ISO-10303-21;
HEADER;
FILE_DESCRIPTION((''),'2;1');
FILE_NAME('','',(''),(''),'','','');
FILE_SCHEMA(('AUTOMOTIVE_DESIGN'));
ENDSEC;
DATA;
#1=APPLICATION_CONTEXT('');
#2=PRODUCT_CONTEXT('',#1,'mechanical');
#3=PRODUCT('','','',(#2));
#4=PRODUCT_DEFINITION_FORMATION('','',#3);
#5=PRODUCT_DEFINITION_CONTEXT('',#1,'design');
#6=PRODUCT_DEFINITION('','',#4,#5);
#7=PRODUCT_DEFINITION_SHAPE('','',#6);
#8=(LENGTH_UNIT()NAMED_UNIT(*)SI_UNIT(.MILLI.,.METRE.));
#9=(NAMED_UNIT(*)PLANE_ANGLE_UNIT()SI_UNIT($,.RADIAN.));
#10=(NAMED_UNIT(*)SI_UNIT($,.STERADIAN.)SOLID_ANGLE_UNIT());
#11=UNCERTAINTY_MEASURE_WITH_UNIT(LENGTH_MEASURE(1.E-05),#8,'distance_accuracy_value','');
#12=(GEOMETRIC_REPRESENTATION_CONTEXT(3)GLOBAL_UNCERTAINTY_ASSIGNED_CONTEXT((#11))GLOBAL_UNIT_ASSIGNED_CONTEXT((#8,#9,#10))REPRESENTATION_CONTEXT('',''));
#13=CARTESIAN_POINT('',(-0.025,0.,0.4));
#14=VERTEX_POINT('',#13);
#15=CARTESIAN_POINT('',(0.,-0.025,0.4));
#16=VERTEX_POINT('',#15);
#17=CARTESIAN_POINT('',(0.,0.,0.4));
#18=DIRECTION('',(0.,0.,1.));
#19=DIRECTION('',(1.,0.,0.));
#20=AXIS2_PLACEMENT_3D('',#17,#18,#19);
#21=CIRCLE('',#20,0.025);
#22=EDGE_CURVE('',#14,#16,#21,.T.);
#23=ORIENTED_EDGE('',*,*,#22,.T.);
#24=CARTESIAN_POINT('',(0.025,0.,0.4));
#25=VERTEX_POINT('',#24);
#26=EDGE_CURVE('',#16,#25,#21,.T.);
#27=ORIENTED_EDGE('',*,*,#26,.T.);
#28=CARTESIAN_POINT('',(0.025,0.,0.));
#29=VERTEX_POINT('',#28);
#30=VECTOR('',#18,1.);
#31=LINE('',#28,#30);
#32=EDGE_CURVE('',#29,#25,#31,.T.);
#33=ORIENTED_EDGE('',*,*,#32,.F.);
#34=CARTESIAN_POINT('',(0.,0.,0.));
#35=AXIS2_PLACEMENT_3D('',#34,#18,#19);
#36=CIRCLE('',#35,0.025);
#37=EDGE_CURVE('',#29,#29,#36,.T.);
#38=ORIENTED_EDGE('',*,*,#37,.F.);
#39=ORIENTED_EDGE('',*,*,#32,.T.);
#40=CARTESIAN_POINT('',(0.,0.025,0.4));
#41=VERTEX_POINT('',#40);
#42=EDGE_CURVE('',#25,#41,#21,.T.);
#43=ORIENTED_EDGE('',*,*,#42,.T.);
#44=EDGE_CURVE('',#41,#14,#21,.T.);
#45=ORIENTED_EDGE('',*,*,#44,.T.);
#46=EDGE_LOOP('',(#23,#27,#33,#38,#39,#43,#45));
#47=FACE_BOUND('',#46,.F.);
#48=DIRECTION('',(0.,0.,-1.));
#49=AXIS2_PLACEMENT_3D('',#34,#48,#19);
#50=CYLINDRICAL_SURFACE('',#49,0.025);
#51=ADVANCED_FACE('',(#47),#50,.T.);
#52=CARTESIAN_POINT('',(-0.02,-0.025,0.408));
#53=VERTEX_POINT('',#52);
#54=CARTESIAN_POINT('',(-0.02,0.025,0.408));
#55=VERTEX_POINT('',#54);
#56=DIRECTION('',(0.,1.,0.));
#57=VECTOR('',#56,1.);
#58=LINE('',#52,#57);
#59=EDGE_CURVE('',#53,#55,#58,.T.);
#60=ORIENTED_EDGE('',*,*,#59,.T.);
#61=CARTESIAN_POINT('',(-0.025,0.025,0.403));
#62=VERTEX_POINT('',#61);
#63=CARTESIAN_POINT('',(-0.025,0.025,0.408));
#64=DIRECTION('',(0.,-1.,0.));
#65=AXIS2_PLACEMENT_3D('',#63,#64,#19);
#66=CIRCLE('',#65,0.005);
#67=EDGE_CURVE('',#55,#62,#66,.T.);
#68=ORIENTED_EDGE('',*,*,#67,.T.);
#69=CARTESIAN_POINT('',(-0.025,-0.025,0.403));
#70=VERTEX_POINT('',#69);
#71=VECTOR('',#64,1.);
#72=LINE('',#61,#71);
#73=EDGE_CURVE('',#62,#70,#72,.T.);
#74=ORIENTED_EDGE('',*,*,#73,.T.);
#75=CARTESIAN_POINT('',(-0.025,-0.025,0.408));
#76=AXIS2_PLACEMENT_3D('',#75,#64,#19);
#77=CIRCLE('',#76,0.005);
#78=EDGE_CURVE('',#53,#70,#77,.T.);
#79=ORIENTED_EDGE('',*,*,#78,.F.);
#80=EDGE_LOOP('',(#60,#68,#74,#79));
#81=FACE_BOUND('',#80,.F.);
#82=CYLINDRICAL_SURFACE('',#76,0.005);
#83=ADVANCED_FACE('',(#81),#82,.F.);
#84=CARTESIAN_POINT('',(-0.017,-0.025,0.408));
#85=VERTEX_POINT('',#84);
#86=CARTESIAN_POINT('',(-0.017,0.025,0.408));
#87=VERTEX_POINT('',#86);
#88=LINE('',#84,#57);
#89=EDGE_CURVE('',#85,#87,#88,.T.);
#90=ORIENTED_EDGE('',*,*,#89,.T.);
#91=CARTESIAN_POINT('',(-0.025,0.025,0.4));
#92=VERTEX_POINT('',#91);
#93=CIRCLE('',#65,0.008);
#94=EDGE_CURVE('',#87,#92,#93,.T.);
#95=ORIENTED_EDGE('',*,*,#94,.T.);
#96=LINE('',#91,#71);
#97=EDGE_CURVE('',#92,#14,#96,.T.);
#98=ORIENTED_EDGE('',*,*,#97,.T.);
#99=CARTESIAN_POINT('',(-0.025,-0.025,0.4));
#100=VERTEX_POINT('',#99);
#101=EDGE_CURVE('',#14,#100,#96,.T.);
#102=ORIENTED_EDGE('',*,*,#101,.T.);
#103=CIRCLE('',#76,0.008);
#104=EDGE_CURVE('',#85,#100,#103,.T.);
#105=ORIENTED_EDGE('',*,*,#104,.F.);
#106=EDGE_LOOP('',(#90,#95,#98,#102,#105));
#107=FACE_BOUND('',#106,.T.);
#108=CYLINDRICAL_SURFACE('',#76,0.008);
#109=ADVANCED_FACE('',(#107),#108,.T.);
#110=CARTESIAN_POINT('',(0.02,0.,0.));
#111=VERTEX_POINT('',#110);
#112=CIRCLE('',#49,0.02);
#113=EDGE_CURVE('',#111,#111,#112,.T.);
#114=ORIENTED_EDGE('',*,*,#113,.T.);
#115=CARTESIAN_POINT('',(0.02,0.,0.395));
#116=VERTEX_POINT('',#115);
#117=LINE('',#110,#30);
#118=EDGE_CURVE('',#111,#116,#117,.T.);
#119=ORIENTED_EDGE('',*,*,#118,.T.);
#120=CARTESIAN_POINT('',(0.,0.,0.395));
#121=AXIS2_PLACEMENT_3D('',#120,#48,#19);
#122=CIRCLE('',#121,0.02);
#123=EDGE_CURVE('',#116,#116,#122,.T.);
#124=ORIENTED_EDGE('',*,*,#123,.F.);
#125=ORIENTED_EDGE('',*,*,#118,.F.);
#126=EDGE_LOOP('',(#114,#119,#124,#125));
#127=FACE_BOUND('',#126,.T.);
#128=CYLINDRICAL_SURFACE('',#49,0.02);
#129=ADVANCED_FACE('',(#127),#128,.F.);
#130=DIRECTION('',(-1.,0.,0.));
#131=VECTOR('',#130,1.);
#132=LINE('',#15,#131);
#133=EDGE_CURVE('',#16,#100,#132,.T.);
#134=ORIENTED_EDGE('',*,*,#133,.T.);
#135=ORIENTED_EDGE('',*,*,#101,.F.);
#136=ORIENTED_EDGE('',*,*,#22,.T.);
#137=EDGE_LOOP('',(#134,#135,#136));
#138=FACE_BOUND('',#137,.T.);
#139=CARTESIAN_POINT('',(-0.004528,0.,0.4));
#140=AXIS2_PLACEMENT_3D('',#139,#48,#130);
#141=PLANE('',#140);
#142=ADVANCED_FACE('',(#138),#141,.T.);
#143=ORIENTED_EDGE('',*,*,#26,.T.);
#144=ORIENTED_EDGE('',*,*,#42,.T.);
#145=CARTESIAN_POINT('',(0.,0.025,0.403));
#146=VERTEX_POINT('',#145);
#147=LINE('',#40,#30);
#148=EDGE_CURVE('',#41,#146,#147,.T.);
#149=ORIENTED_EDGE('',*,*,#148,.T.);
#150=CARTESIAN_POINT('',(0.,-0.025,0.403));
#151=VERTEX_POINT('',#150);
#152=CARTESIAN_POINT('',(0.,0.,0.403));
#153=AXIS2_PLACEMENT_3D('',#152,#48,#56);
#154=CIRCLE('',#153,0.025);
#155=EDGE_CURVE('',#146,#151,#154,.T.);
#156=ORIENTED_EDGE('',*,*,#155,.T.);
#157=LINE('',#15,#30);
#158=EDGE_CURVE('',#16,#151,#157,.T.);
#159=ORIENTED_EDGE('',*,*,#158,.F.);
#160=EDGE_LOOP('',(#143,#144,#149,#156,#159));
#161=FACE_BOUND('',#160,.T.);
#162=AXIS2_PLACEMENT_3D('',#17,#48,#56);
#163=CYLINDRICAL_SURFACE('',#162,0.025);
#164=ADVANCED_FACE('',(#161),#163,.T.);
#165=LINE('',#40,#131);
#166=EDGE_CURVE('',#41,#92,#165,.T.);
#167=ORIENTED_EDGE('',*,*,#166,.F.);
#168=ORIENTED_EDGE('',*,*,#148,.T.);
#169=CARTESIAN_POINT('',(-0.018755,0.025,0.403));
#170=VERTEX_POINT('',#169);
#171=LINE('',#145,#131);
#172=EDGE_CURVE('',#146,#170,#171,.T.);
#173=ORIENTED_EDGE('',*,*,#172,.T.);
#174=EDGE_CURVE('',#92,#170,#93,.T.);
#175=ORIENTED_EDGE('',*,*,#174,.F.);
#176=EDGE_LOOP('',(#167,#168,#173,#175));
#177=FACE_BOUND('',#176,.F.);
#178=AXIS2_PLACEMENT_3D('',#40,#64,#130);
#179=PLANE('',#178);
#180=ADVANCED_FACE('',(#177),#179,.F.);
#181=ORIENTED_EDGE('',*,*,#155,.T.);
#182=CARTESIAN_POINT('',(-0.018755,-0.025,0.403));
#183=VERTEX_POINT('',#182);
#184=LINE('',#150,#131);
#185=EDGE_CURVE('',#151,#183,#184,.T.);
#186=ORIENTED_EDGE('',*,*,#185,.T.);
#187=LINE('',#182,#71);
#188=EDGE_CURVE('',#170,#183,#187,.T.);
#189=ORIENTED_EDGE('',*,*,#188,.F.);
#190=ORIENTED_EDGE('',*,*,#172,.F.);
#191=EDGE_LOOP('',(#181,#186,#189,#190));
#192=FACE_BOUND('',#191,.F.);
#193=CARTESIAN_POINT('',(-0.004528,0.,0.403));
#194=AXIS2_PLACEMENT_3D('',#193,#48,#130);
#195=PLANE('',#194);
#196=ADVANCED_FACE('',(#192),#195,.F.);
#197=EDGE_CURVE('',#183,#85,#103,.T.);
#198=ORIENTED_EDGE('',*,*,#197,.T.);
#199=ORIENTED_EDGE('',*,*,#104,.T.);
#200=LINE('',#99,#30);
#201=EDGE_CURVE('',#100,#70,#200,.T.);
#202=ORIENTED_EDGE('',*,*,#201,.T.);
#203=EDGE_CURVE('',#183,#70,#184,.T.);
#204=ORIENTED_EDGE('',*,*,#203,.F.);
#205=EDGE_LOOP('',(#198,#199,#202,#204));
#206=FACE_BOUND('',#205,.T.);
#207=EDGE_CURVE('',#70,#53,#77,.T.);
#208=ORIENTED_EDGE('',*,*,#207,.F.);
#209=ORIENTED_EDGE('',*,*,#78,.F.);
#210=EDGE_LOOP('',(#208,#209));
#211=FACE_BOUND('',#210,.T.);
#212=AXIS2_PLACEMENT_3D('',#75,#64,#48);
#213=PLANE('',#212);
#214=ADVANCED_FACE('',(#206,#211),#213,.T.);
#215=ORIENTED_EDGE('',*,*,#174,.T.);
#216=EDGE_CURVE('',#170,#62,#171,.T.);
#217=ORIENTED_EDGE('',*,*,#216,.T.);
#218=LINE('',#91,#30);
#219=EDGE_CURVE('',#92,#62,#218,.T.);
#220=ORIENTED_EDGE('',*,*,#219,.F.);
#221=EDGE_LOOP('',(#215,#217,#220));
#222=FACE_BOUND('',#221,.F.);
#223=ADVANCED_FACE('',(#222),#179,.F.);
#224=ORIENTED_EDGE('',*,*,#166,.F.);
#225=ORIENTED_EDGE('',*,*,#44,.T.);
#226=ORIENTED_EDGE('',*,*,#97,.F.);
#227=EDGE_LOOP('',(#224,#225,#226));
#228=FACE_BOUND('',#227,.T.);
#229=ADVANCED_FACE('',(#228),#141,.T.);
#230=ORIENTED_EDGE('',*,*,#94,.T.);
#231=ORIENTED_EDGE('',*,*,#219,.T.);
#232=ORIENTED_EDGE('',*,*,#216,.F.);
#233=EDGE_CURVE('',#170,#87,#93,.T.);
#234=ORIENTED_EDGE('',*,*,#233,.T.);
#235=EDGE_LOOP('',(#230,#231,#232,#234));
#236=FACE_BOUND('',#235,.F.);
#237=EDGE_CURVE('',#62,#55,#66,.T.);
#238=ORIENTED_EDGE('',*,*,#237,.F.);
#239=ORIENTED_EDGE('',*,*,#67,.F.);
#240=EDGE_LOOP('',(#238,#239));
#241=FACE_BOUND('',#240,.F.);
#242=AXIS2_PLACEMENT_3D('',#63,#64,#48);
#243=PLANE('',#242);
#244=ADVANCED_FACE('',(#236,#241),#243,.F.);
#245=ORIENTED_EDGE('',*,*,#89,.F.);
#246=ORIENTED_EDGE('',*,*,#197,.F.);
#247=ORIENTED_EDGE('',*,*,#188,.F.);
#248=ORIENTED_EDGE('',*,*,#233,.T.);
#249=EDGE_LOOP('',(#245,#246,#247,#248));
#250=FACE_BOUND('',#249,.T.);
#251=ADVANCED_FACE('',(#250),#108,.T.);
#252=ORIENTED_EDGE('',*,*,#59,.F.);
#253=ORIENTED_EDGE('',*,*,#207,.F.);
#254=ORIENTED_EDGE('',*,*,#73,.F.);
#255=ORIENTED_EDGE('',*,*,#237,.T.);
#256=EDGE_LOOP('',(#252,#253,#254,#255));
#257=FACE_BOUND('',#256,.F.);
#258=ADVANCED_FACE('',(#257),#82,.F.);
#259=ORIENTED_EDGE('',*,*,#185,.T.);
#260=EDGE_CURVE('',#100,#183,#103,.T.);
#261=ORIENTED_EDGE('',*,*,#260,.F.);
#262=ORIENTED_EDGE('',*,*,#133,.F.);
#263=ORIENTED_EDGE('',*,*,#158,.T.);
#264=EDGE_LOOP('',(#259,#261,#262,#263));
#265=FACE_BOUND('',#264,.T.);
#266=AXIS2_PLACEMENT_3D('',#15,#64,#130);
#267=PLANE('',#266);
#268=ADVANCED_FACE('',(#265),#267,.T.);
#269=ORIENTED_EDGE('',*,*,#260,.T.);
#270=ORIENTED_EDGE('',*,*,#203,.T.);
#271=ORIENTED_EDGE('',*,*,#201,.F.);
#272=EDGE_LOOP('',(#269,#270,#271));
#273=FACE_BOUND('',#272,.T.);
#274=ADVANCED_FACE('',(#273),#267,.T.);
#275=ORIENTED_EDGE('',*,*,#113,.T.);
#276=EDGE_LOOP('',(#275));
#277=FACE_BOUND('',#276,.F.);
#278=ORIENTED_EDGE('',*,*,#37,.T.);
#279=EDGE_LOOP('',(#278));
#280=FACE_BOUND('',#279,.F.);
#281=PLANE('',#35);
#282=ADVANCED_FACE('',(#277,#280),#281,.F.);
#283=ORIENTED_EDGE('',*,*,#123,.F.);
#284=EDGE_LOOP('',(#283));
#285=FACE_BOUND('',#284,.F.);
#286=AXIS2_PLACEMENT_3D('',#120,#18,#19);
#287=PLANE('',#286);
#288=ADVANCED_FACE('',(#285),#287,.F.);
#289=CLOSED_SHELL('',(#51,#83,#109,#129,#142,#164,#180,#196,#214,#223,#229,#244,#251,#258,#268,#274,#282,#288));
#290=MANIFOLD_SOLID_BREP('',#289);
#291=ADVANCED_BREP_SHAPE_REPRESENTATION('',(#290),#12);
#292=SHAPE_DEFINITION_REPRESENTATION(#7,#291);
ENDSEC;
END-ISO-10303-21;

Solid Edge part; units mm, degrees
sketch "Sketch1" plane through (0, 0, 0) normal (0, 0, 1) x (1, 0, 0)
  circle A0 centre (0, 0) radius 0.025
  dimension "D1" = 0.05
extrude "Protrusion1" add sketch "Sketch1" along normal blind 0.4
shell "Dünnwand_1" thickness 0.005 removed faces 1 at (-0.0172, -0.0162, 0)
sketch "Sketch2" plane through (0, 0, 0.4) normal (0, 0, 1) x (0, 1, 0)
  line L0 (-0.025, 0) -> (-0.025, 0.025)
  line L1 (0.025, 0.025) -> (-0.025, 0.025)
  line L2 (0.025, 0) -> (0.025, 0.025)
  arc A0 (0.025, 0) -> (-0.025, 0) centre (0, 0) cw
  dimension "D1" = 0.025
extrude "Ausprägung_2" add sketch "Sketch2" along normal blind 0.003
sketch "Sketch3" plane through (-0.0125, -0.025, 0.3015) normal (0, -1, 0) x (1, 0, 0)
  circle A0 centre (-0.0125, 0.1065) radius 0.005
  circle A1 centre (-0.0125, 0.1065) radius 0.008
  dimension "D1" = 0.01
extrude "Protrusion2" add sketch "Sketch3" against normal up to surface (0.05 mm away)
